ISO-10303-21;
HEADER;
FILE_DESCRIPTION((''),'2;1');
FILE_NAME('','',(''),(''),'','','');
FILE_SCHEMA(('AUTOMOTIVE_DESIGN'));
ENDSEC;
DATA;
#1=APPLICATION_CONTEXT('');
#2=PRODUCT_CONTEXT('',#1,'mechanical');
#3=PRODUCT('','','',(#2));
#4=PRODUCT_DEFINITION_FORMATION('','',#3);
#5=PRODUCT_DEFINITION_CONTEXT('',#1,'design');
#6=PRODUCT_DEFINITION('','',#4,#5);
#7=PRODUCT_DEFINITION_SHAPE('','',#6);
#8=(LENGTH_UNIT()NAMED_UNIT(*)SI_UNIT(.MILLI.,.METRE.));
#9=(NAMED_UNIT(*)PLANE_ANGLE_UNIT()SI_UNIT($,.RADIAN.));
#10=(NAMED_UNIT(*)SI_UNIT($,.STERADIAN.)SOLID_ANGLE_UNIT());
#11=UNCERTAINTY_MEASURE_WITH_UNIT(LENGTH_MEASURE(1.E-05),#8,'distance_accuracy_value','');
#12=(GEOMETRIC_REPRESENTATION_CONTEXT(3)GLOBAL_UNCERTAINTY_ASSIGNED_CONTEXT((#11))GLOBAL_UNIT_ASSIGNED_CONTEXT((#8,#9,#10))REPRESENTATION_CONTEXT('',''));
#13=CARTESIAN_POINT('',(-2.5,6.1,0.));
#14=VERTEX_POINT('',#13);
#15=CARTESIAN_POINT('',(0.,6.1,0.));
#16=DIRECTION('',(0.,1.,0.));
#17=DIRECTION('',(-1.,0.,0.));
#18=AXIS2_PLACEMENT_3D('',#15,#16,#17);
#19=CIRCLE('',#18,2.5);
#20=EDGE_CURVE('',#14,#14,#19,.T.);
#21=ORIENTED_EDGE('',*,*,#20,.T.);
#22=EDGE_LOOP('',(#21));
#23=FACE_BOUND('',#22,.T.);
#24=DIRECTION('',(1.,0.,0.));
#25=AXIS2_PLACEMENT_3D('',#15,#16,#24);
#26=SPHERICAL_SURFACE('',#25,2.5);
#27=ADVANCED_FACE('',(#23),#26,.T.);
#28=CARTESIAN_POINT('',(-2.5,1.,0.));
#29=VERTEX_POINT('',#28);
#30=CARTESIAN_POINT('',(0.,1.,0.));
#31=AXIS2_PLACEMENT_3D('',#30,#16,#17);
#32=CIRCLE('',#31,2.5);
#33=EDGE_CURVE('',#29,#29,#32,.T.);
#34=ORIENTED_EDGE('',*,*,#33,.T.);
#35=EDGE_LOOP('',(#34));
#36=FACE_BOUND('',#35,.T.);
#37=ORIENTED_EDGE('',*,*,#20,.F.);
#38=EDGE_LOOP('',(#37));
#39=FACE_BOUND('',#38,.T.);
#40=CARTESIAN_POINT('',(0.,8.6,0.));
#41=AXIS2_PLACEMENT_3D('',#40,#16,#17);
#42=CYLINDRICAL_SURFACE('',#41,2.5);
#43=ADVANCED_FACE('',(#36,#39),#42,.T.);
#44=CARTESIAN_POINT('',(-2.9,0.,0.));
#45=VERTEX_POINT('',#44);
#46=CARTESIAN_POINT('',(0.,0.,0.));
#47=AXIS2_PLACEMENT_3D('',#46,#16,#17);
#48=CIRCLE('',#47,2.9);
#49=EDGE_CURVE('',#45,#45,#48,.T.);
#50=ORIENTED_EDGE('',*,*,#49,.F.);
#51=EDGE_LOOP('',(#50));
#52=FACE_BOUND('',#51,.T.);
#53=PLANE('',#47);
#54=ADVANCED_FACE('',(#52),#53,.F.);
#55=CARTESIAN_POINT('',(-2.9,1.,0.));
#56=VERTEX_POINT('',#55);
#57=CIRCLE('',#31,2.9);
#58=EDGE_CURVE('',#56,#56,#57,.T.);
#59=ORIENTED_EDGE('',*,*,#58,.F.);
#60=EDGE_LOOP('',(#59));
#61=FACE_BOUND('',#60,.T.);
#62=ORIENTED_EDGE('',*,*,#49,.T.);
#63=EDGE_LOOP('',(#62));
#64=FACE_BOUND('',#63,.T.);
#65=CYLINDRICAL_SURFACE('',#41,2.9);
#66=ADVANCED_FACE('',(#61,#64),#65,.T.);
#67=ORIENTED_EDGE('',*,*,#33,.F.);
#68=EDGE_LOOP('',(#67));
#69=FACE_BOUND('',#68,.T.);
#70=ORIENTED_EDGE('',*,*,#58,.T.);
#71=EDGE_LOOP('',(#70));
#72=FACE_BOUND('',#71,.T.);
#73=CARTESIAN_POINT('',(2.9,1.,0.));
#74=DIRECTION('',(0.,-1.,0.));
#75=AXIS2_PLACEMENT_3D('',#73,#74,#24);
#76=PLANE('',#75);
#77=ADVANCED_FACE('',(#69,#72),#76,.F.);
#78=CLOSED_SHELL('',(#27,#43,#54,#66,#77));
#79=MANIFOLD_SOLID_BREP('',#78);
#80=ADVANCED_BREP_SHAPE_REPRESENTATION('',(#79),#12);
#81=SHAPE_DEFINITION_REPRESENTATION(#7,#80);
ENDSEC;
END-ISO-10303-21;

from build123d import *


with BuildPart() as part:
    # Эскиз1 → Повернуть1 (revolve)
    with BuildSketch(Plane.XY, mode=Mode.PRIVATE) as revolve_1_sk:
        with BuildLine():
            Line((0, 8.6), (0, 0))
            Line((0, 0), (2.9, 0))
            Line((2.9, 0), (2.9, 1))
            Line((2.9, 1), (2.5, 1))
            Line((2.5, 1), (2.5, 6.1))
            ThreePointArc((2.5, 6.1), (1.767766953, 7.867766953), (0, 8.6))
        make_face()
    revolve(revolve_1_sk.sketch.rotate(Axis((0, 8.6, 0), (0, -1, 0)), 180), axis=Axis((0, 8.6, 0), (0, -1, 0)))


solid = part.part
